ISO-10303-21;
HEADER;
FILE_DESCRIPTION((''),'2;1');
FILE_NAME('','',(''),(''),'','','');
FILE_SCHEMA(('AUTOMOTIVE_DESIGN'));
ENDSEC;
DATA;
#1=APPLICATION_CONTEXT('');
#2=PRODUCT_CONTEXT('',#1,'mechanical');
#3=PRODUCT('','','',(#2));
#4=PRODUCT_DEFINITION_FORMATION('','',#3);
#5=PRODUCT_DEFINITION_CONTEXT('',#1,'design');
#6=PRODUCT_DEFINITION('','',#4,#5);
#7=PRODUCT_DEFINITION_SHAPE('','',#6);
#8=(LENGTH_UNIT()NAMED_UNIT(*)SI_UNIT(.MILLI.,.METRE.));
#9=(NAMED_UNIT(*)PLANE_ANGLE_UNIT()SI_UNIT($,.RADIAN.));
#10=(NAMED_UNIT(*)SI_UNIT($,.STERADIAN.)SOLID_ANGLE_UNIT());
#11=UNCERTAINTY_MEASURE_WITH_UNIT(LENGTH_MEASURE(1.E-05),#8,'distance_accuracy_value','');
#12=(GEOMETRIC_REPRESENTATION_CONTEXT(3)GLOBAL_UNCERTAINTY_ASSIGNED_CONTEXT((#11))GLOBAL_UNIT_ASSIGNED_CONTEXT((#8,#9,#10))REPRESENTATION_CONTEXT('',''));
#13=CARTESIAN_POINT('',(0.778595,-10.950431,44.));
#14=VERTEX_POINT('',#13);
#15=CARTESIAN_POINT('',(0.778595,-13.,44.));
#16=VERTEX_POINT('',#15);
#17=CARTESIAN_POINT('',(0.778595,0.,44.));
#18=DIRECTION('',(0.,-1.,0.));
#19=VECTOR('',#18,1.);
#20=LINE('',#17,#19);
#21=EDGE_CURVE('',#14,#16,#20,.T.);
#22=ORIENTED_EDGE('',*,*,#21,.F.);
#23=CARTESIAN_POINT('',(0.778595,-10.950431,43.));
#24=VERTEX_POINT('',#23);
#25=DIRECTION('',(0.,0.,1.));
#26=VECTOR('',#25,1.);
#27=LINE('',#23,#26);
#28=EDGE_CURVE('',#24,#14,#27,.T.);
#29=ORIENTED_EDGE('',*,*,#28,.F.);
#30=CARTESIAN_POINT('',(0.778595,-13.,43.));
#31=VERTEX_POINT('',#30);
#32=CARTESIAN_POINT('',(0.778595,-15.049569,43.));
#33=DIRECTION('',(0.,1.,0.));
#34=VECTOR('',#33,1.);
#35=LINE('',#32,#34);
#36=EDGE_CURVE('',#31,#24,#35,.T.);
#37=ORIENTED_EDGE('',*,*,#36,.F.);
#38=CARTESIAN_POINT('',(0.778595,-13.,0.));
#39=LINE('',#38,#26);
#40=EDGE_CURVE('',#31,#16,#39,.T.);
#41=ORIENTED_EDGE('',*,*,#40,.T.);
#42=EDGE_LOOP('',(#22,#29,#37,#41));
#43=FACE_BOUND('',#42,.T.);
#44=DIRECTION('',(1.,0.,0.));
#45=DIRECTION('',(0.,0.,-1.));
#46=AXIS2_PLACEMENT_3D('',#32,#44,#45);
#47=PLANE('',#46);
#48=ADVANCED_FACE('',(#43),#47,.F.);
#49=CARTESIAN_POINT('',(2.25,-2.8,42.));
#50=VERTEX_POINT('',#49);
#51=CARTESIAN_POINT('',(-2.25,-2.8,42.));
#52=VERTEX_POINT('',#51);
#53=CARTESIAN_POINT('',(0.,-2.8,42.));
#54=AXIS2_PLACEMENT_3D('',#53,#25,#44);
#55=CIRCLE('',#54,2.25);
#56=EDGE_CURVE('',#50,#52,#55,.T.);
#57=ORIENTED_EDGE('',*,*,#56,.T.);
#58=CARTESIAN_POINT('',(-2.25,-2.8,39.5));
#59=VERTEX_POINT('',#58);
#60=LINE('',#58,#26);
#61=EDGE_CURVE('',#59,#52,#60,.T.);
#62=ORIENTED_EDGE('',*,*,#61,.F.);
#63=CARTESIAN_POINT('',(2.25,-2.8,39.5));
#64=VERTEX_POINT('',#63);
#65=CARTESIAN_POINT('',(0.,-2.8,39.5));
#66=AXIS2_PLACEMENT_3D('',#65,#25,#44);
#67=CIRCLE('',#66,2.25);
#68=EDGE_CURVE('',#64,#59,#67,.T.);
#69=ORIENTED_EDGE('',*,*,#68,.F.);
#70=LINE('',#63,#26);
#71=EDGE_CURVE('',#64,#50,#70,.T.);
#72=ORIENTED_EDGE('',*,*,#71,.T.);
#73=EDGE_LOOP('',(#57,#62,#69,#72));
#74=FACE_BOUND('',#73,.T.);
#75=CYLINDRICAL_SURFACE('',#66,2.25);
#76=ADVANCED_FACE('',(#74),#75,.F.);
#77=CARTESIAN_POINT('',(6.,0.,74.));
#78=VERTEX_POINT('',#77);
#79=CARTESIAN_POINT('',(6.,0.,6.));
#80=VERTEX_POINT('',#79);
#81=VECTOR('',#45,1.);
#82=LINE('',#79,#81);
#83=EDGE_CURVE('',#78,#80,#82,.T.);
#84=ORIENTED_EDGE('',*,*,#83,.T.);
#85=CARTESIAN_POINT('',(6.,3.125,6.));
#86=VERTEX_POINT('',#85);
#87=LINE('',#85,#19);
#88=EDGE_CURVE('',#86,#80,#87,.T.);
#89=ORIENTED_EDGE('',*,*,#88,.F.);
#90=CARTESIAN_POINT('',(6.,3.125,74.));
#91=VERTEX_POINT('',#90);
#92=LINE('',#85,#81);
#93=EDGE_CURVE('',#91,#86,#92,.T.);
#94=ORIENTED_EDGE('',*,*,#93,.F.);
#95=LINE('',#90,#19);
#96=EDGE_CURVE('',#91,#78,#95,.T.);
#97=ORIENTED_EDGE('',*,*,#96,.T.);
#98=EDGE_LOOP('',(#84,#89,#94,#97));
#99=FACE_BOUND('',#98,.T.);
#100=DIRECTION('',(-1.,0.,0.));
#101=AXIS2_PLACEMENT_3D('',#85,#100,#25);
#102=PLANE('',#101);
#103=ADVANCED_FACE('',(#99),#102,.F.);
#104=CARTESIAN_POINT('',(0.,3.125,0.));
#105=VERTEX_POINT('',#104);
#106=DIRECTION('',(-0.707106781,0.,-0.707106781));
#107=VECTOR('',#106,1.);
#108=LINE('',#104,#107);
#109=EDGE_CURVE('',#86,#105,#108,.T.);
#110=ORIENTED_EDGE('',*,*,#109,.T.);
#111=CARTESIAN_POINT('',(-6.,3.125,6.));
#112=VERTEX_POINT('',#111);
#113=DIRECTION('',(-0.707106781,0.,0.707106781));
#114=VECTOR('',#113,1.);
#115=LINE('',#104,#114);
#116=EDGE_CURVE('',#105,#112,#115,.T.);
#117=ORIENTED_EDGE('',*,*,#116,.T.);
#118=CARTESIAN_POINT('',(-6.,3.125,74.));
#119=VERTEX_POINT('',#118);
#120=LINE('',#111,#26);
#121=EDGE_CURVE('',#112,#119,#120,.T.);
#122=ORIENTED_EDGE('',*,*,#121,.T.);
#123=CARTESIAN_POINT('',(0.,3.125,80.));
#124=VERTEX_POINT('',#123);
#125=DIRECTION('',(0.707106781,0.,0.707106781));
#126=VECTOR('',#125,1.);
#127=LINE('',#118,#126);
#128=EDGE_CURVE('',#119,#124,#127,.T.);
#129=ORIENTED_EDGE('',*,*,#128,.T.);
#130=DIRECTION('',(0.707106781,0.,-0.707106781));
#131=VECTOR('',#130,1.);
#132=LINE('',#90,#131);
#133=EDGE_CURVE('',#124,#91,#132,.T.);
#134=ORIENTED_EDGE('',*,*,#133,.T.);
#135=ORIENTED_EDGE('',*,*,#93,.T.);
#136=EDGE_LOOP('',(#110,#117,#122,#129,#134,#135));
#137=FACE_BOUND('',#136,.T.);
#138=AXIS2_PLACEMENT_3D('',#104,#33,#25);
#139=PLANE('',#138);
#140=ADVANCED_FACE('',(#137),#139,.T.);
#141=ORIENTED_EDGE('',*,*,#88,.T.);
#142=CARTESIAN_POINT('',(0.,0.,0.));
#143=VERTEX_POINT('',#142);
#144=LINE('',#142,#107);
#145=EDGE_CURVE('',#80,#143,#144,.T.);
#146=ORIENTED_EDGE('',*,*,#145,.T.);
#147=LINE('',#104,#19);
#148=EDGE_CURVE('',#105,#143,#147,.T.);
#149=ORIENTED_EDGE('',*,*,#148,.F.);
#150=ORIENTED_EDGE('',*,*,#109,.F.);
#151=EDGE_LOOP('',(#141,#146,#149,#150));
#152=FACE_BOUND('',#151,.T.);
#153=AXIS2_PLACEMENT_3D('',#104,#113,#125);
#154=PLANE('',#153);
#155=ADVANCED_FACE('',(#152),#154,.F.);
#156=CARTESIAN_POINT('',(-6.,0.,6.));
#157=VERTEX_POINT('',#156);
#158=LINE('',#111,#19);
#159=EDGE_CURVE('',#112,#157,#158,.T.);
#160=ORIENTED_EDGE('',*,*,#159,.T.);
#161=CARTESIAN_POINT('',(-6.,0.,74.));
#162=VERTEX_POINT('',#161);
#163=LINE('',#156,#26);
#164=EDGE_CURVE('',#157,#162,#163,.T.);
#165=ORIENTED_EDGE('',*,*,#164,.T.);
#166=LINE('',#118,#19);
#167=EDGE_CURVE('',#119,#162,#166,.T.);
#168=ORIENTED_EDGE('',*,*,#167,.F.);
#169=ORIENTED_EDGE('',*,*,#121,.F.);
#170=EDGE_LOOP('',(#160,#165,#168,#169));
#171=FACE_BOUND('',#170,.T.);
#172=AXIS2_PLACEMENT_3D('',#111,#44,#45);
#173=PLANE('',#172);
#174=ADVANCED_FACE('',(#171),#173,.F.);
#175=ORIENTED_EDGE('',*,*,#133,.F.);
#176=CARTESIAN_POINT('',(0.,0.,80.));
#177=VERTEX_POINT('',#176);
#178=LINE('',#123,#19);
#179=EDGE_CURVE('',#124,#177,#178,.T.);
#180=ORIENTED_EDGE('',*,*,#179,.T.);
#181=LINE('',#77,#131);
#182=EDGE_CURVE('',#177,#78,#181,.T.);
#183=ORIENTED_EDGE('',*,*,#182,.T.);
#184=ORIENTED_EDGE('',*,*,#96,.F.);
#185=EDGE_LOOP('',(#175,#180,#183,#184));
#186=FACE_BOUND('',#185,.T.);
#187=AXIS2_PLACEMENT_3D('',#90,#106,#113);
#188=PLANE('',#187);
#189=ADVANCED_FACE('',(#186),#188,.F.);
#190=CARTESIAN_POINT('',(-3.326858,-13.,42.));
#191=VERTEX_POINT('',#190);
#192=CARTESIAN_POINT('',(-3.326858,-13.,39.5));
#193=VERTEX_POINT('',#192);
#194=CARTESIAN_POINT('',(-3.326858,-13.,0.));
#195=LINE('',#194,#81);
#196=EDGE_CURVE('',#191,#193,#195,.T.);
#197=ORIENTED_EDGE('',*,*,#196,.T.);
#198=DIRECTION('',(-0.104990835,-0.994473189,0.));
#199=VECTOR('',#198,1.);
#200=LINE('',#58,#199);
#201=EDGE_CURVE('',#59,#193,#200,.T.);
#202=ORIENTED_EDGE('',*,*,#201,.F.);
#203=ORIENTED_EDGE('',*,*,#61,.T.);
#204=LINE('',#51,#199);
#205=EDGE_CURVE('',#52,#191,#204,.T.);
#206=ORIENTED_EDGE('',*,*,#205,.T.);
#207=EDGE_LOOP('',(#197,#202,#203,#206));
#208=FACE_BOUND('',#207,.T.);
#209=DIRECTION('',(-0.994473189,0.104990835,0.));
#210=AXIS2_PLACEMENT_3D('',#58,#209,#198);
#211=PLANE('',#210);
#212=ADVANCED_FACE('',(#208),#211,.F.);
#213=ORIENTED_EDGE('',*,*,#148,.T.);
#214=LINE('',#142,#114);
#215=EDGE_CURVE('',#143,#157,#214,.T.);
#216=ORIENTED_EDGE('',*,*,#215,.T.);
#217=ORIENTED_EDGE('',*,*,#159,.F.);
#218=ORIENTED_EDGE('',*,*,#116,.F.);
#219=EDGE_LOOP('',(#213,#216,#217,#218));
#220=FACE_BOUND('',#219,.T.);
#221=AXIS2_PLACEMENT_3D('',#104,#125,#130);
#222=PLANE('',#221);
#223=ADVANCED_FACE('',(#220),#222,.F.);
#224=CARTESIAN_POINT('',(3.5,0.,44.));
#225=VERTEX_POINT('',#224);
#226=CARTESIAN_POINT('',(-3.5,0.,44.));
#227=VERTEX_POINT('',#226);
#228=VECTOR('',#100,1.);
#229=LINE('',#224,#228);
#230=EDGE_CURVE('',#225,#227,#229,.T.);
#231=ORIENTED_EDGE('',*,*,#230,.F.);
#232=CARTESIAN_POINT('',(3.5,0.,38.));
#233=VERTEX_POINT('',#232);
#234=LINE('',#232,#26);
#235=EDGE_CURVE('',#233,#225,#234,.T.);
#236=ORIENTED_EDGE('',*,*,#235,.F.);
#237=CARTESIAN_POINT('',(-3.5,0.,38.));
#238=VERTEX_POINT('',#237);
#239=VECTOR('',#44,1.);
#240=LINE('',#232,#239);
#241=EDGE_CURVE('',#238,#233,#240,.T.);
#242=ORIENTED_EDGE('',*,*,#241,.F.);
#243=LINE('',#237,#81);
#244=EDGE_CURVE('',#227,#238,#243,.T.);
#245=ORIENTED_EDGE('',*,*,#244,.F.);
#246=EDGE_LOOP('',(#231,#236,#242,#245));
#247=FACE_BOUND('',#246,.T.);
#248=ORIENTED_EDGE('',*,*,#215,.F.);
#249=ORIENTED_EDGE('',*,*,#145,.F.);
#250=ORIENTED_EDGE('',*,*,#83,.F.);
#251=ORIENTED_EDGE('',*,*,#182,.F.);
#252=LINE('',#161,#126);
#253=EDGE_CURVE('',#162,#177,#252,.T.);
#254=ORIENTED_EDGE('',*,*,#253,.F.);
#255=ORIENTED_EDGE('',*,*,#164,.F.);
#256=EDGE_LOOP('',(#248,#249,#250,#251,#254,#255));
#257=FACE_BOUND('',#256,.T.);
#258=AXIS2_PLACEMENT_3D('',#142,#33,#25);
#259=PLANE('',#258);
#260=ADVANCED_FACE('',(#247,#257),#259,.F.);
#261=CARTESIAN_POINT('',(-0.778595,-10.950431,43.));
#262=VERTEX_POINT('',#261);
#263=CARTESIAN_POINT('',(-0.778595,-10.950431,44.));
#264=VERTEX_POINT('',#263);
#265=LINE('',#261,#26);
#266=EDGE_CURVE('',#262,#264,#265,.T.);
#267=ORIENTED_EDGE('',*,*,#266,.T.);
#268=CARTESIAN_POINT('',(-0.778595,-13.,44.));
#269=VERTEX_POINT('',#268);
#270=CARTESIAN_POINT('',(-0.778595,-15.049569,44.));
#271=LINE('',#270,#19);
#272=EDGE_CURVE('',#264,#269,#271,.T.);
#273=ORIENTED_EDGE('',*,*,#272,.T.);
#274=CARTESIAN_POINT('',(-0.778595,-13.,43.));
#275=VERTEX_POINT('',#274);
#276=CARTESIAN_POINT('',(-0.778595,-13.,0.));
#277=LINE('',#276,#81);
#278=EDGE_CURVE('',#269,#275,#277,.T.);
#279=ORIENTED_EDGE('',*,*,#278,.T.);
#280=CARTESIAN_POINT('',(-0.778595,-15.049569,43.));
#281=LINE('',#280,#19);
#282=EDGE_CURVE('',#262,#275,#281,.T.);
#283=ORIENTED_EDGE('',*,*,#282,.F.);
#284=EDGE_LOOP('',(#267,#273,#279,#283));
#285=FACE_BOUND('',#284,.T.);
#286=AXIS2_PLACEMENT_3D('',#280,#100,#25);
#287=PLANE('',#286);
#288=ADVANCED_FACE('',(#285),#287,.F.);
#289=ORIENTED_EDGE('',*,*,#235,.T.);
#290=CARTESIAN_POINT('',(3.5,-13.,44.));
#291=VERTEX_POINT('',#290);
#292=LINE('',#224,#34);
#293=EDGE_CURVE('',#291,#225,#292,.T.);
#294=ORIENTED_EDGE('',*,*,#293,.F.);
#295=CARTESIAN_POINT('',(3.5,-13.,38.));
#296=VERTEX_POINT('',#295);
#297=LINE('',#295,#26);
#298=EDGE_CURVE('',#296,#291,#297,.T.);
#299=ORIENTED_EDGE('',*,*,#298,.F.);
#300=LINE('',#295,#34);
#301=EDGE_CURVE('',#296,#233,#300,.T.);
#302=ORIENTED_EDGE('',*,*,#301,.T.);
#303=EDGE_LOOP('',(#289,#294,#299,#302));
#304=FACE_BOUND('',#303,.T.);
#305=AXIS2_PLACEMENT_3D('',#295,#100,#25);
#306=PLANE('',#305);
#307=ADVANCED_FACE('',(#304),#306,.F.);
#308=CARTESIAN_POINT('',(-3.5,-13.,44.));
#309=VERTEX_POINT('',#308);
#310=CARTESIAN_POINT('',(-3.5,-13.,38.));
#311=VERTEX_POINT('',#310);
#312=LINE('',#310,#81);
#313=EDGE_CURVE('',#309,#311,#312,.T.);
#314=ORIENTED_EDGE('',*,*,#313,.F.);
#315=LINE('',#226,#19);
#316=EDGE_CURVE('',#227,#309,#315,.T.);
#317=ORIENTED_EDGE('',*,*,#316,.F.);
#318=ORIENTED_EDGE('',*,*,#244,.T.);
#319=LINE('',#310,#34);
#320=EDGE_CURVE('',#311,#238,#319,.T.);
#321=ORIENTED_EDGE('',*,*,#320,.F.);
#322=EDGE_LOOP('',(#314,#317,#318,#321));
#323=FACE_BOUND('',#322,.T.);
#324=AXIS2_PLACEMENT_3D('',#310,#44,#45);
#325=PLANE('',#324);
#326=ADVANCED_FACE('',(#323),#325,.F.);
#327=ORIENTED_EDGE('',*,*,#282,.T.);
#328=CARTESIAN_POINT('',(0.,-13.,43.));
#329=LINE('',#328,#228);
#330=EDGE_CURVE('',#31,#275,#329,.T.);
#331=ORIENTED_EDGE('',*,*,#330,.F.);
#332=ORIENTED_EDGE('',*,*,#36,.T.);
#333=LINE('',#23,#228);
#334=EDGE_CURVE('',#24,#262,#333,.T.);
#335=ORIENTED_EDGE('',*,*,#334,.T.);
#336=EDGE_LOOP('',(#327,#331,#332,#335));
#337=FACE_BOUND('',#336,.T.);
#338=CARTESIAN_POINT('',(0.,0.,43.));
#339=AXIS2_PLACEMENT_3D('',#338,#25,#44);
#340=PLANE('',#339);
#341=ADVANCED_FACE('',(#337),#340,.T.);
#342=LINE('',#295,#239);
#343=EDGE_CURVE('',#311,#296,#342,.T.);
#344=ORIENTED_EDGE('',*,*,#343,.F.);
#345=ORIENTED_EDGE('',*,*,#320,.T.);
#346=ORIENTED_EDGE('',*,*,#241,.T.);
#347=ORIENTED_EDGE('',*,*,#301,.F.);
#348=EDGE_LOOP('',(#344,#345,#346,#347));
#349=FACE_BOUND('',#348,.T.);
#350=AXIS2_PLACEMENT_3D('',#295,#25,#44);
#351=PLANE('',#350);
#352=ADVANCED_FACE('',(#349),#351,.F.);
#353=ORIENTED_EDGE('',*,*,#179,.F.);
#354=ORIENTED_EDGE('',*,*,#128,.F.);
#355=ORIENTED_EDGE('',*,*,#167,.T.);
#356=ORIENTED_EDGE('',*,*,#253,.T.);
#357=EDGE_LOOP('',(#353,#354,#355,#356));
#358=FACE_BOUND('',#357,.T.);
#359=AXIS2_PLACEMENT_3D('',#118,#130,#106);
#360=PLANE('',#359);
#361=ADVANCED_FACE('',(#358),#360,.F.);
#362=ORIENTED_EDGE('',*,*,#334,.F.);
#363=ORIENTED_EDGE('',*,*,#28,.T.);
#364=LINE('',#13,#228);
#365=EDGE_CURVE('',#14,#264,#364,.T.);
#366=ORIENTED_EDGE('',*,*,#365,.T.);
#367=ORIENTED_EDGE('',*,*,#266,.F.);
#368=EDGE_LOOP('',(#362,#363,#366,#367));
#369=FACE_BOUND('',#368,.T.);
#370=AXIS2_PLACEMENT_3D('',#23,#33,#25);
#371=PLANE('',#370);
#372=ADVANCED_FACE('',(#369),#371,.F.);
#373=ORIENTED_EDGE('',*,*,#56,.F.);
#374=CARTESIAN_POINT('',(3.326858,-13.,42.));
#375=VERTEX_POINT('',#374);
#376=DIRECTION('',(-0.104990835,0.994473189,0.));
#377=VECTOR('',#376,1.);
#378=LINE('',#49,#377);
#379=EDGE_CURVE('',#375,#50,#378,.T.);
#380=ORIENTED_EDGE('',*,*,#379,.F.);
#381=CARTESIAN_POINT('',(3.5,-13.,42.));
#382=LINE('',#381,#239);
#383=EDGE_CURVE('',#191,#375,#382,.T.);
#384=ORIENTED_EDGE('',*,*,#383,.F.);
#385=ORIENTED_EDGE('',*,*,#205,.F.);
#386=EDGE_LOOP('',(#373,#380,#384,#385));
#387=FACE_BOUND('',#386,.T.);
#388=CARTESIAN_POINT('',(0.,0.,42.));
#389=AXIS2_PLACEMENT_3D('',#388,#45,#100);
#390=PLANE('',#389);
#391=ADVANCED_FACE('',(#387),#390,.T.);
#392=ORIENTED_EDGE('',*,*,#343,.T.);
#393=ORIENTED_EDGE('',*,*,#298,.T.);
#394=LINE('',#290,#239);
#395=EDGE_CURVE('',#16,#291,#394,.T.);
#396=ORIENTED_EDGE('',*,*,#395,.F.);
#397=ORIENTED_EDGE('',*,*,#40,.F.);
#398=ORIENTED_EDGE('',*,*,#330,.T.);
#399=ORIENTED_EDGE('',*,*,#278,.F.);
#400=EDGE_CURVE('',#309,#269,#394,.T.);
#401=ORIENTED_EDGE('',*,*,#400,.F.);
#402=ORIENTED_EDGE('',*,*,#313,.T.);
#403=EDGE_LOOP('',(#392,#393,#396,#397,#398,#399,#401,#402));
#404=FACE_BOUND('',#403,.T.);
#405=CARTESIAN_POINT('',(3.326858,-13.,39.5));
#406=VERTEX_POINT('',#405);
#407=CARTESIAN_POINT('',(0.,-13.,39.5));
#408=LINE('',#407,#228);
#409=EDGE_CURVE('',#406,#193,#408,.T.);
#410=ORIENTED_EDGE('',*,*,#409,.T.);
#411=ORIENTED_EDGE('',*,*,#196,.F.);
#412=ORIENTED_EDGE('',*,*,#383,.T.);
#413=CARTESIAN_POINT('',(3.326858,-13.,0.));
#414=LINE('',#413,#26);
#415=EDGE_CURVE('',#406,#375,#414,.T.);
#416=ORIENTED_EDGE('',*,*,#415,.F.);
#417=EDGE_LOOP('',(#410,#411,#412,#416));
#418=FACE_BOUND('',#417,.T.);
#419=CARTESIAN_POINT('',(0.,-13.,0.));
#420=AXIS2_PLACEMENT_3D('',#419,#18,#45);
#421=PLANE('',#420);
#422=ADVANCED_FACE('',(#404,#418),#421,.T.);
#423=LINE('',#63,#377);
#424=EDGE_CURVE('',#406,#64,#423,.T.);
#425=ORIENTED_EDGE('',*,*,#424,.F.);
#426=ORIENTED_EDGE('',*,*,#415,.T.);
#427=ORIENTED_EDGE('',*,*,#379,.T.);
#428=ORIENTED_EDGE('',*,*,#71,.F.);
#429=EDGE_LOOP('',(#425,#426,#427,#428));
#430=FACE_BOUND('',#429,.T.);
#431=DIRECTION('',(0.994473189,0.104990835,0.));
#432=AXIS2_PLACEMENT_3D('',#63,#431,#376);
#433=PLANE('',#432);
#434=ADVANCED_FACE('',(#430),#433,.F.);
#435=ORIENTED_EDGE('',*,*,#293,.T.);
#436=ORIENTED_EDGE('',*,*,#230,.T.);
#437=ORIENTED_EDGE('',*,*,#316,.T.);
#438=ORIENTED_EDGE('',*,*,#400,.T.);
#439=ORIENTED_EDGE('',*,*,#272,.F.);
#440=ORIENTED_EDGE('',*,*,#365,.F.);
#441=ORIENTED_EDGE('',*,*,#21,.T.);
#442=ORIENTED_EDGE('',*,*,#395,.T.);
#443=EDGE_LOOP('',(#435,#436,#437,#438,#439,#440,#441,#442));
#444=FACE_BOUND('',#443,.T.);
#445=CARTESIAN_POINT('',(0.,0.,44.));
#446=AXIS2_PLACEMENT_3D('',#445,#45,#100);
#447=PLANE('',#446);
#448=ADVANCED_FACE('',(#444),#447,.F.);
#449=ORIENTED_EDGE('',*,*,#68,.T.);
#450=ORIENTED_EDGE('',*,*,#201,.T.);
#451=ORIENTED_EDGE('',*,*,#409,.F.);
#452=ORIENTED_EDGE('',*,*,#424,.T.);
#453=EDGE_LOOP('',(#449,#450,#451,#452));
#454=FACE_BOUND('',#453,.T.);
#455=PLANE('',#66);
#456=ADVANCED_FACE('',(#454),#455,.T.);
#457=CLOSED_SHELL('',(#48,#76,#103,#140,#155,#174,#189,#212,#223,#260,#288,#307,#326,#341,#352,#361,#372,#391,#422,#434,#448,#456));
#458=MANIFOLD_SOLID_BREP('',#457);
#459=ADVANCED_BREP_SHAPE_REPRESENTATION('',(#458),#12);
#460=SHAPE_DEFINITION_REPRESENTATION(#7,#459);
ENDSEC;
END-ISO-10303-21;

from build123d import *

# Parameters (mm, degrees)
BOSS_EXTRUDE1_DEPTH = 3.125
SKETCH2_W           = 7
SKETCH2_H           = 4
BOSS_EXTRUDE2_DEPTH = 13
CUT_EXTRUDE1_DEPTH  = 2.5
SKETCH4_W           = 7
SKETCH4_H           = 13
BOSS_EXTRUDE3_DEPTH = 2
SKETCH5_W           = 1.55719089
SKETCH5_H           = 4.099138032
CUT_EXTRUDE2_DEPTH  = 1


with BuildPart() as part:
    # Sketch1 → Boss-Extrude1 (new body)
    with BuildSketch(Plane(origin=(0, 0, 0), x_dir=(1, 0, 0), z_dir=(0, 1, 0))):
        Polygon((0, 0), (6, -6), (6, -74), (0, -80), (-6, -74), (-6, -6), align=None)
    extrude(amount=BOSS_EXTRUDE1_DEPTH)

    # Sketch2 → Boss-Extrude2 (add)
    with BuildSketch(Plane.XZ):
        with Locations((0, 40)):
            Rectangle(SKETCH2_W, SKETCH2_H)
    extrude(amount=BOSS_EXTRUDE2_DEPTH)

    # Sketch3 → Cut-Extrude1 (cut)
    with BuildSketch(Plane.XY.offset(42)):
        with BuildLine():
            Line((3.5, -14.64), (-3.5, -14.64))
            Line((-3.5, -14.64), (-2.25, -2.8))
            ThreePointArc((-2.25, -2.8), (0, -0.55), (2.25, -2.8))
            Line((2.25, -2.8), (3.5, -14.64))
        make_face()
    extrude(amount=-CUT_EXTRUDE1_DEPTH, mode=Mode.SUBTRACT)

    # Sketch4 → Boss-Extrude3 (add)
    with BuildSketch(Plane.XY.offset(42)):
        with Locations((0, -6.5)):
            Rectangle(SKETCH4_W, SKETCH4_H)
    extrude(amount=BOSS_EXTRUDE3_DEPTH)

    # Sketch5 → Cut-Extrude2 (cut)
    with BuildSketch(Plane.XY.offset(44)):
        with Locations((0, -13)):
            Rectangle(SKETCH5_W, SKETCH5_H)
    extrude(amount=-CUT_EXTRUDE2_DEPTH, mode=Mode.SUBTRACT)


solid = part.part
